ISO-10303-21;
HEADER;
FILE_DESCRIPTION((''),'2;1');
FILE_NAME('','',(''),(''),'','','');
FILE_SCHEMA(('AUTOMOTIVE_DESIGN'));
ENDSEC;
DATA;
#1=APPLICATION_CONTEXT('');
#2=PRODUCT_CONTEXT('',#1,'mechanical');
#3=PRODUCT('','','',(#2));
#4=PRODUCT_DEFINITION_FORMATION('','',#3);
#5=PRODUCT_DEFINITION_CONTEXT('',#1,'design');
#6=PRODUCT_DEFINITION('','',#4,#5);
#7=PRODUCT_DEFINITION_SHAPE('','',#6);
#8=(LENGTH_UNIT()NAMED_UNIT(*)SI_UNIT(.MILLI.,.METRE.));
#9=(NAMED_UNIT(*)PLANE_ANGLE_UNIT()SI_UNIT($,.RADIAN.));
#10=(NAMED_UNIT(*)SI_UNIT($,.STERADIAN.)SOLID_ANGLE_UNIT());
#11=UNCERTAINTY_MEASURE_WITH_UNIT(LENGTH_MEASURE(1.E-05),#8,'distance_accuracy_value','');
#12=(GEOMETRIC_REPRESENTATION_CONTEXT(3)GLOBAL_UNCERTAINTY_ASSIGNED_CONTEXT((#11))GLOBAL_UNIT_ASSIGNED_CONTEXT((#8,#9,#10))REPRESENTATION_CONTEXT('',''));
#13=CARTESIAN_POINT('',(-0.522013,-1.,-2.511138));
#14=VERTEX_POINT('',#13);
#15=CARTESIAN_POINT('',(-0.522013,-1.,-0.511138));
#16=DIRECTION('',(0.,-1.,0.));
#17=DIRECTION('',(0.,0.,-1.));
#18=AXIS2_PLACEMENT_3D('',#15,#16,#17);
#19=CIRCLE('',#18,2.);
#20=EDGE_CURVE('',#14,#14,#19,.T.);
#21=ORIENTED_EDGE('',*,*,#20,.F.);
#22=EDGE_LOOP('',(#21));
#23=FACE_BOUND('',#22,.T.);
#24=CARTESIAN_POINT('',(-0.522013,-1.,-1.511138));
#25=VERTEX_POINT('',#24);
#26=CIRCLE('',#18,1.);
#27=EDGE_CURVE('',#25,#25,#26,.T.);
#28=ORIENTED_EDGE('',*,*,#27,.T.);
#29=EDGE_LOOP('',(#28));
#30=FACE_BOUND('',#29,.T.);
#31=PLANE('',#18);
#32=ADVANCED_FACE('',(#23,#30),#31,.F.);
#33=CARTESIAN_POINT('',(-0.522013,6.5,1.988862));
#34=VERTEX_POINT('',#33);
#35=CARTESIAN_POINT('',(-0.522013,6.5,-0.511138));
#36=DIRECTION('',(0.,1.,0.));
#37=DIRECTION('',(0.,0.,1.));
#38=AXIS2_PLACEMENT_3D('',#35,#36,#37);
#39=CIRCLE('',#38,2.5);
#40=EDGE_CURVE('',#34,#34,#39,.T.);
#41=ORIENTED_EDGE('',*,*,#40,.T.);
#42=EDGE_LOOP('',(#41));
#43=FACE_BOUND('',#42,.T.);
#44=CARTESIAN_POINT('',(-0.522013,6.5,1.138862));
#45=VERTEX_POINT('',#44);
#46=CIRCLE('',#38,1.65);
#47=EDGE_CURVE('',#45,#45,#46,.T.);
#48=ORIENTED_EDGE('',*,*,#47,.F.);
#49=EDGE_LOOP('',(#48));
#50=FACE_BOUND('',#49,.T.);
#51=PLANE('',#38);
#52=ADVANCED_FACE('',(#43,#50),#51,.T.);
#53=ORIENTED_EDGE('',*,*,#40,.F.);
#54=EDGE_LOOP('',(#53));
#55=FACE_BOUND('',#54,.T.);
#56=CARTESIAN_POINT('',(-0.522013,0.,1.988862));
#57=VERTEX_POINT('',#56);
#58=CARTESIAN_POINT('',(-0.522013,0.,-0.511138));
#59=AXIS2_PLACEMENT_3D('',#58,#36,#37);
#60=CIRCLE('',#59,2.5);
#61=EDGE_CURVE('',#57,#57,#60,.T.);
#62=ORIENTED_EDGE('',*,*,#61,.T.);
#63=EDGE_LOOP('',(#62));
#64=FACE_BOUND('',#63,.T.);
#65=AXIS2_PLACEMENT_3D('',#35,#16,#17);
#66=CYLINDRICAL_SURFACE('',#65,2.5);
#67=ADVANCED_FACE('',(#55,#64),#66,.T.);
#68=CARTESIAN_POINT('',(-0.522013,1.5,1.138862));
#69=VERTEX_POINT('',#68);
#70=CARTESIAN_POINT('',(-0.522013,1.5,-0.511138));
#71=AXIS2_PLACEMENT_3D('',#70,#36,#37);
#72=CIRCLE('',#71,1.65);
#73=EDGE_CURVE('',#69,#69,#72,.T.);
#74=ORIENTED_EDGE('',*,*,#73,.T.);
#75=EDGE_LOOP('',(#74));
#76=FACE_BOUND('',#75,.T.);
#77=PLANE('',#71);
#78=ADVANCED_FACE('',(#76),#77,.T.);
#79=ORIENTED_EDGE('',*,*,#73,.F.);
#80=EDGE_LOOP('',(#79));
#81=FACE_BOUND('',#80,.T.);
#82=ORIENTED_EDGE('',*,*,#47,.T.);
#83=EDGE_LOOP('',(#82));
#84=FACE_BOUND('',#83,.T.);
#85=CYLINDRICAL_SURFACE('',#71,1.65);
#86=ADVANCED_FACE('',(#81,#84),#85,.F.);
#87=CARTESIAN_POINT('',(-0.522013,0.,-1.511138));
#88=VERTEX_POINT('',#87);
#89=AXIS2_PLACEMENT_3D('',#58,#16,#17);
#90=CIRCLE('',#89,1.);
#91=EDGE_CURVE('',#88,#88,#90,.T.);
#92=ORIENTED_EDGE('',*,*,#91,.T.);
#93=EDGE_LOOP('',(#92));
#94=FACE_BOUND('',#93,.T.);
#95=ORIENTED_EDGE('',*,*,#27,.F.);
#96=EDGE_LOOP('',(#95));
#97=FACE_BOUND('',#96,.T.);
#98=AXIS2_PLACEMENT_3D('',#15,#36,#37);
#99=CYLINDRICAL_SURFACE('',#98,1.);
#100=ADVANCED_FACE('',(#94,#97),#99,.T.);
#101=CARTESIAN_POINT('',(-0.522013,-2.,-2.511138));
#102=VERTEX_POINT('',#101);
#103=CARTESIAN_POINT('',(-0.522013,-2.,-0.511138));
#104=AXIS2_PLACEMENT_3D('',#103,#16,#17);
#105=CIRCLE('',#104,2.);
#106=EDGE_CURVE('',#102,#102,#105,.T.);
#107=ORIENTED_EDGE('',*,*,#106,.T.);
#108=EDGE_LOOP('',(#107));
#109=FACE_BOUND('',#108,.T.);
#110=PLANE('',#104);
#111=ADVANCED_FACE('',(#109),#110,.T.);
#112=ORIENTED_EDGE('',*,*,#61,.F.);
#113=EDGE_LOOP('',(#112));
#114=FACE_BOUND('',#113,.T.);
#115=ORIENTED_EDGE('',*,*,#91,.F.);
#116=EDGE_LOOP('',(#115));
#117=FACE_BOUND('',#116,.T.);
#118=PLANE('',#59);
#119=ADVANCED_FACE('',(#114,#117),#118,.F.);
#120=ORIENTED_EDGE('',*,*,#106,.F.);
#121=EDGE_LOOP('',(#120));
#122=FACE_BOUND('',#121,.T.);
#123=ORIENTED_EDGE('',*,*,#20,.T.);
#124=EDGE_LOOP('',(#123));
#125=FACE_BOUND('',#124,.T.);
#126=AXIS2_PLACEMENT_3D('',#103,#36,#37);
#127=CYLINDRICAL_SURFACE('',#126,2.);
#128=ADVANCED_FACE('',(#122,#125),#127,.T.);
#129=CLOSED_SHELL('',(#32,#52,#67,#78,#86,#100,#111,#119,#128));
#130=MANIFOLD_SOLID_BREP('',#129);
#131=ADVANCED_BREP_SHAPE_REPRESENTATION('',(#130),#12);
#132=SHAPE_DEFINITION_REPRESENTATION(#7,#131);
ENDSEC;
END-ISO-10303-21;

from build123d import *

# Parameters (mm, degrees)
SKETCH1_R           = 2.5
BOSS_EXTRUDE1_DEPTH = 6.5
SKETCH1_3_R         = 2
BOSS_EXTRUDE2_DEPTH = 1
SKETCH5_R           = 1
BOSS_EXTRUDE3_DEPTH = 1
SKETCH6_R           = 2
BOSS_EXTRUDE4_DEPTH = 1
SKETCH12_R          = 1.65
CUT_EXTRUDE1_DEPTH  = 5


with BuildPart() as part:
    # Sketch1 → Boss-Extrude1 (new body)
    with BuildSketch(Plane(origin=(0, 0, 0), x_dir=(1, 0, 0), z_dir=(0, 1, 0))):
        with Locations((-0.522013312, 0.511138034)):
            Circle(SKETCH1_R)
    extrude(amount=BOSS_EXTRUDE1_DEPTH)

    # Sketch1<3> → Boss-Extrude2 (add)
    with BuildSketch(Plane(origin=(0, 0, 0), x_dir=(1, 0, 0), z_dir=(0, 1, 0))):
        with Locations((-0.522013312, 0.511138034)):
            Circle(SKETCH1_3_R)
    extrude(amount=BOSS_EXTRUDE2_DEPTH)

    # Sketch5 → Boss-Extrude3 (add)
    with BuildSketch(Plane.XZ):
        with Locations((-0.522013312, -0.511138034)):
            Circle(SKETCH5_R)
    extrude(amount=BOSS_EXTRUDE3_DEPTH)

    # Sketch6 → Boss-Extrude4 (add)
    with BuildSketch(Plane.XZ.offset(1)):
        with Locations((-0.522013312, -0.511138034)):
            Circle(SKETCH6_R)
    extrude(amount=BOSS_EXTRUDE4_DEPTH)

    # Sketch12 → Cut-Extrude1 (cut)
    with BuildSketch(Plane(origin=(0, 6.5, 0), x_dir=(1, 0, 0), z_dir=(0, 1, 0))):
        with Locations((-0.522013312, 0.511138034)):
            Circle(SKETCH12_R)
    extrude(amount=-CUT_EXTRUDE1_DEPTH, mode=Mode.SUBTRACT)


solid = part.part
